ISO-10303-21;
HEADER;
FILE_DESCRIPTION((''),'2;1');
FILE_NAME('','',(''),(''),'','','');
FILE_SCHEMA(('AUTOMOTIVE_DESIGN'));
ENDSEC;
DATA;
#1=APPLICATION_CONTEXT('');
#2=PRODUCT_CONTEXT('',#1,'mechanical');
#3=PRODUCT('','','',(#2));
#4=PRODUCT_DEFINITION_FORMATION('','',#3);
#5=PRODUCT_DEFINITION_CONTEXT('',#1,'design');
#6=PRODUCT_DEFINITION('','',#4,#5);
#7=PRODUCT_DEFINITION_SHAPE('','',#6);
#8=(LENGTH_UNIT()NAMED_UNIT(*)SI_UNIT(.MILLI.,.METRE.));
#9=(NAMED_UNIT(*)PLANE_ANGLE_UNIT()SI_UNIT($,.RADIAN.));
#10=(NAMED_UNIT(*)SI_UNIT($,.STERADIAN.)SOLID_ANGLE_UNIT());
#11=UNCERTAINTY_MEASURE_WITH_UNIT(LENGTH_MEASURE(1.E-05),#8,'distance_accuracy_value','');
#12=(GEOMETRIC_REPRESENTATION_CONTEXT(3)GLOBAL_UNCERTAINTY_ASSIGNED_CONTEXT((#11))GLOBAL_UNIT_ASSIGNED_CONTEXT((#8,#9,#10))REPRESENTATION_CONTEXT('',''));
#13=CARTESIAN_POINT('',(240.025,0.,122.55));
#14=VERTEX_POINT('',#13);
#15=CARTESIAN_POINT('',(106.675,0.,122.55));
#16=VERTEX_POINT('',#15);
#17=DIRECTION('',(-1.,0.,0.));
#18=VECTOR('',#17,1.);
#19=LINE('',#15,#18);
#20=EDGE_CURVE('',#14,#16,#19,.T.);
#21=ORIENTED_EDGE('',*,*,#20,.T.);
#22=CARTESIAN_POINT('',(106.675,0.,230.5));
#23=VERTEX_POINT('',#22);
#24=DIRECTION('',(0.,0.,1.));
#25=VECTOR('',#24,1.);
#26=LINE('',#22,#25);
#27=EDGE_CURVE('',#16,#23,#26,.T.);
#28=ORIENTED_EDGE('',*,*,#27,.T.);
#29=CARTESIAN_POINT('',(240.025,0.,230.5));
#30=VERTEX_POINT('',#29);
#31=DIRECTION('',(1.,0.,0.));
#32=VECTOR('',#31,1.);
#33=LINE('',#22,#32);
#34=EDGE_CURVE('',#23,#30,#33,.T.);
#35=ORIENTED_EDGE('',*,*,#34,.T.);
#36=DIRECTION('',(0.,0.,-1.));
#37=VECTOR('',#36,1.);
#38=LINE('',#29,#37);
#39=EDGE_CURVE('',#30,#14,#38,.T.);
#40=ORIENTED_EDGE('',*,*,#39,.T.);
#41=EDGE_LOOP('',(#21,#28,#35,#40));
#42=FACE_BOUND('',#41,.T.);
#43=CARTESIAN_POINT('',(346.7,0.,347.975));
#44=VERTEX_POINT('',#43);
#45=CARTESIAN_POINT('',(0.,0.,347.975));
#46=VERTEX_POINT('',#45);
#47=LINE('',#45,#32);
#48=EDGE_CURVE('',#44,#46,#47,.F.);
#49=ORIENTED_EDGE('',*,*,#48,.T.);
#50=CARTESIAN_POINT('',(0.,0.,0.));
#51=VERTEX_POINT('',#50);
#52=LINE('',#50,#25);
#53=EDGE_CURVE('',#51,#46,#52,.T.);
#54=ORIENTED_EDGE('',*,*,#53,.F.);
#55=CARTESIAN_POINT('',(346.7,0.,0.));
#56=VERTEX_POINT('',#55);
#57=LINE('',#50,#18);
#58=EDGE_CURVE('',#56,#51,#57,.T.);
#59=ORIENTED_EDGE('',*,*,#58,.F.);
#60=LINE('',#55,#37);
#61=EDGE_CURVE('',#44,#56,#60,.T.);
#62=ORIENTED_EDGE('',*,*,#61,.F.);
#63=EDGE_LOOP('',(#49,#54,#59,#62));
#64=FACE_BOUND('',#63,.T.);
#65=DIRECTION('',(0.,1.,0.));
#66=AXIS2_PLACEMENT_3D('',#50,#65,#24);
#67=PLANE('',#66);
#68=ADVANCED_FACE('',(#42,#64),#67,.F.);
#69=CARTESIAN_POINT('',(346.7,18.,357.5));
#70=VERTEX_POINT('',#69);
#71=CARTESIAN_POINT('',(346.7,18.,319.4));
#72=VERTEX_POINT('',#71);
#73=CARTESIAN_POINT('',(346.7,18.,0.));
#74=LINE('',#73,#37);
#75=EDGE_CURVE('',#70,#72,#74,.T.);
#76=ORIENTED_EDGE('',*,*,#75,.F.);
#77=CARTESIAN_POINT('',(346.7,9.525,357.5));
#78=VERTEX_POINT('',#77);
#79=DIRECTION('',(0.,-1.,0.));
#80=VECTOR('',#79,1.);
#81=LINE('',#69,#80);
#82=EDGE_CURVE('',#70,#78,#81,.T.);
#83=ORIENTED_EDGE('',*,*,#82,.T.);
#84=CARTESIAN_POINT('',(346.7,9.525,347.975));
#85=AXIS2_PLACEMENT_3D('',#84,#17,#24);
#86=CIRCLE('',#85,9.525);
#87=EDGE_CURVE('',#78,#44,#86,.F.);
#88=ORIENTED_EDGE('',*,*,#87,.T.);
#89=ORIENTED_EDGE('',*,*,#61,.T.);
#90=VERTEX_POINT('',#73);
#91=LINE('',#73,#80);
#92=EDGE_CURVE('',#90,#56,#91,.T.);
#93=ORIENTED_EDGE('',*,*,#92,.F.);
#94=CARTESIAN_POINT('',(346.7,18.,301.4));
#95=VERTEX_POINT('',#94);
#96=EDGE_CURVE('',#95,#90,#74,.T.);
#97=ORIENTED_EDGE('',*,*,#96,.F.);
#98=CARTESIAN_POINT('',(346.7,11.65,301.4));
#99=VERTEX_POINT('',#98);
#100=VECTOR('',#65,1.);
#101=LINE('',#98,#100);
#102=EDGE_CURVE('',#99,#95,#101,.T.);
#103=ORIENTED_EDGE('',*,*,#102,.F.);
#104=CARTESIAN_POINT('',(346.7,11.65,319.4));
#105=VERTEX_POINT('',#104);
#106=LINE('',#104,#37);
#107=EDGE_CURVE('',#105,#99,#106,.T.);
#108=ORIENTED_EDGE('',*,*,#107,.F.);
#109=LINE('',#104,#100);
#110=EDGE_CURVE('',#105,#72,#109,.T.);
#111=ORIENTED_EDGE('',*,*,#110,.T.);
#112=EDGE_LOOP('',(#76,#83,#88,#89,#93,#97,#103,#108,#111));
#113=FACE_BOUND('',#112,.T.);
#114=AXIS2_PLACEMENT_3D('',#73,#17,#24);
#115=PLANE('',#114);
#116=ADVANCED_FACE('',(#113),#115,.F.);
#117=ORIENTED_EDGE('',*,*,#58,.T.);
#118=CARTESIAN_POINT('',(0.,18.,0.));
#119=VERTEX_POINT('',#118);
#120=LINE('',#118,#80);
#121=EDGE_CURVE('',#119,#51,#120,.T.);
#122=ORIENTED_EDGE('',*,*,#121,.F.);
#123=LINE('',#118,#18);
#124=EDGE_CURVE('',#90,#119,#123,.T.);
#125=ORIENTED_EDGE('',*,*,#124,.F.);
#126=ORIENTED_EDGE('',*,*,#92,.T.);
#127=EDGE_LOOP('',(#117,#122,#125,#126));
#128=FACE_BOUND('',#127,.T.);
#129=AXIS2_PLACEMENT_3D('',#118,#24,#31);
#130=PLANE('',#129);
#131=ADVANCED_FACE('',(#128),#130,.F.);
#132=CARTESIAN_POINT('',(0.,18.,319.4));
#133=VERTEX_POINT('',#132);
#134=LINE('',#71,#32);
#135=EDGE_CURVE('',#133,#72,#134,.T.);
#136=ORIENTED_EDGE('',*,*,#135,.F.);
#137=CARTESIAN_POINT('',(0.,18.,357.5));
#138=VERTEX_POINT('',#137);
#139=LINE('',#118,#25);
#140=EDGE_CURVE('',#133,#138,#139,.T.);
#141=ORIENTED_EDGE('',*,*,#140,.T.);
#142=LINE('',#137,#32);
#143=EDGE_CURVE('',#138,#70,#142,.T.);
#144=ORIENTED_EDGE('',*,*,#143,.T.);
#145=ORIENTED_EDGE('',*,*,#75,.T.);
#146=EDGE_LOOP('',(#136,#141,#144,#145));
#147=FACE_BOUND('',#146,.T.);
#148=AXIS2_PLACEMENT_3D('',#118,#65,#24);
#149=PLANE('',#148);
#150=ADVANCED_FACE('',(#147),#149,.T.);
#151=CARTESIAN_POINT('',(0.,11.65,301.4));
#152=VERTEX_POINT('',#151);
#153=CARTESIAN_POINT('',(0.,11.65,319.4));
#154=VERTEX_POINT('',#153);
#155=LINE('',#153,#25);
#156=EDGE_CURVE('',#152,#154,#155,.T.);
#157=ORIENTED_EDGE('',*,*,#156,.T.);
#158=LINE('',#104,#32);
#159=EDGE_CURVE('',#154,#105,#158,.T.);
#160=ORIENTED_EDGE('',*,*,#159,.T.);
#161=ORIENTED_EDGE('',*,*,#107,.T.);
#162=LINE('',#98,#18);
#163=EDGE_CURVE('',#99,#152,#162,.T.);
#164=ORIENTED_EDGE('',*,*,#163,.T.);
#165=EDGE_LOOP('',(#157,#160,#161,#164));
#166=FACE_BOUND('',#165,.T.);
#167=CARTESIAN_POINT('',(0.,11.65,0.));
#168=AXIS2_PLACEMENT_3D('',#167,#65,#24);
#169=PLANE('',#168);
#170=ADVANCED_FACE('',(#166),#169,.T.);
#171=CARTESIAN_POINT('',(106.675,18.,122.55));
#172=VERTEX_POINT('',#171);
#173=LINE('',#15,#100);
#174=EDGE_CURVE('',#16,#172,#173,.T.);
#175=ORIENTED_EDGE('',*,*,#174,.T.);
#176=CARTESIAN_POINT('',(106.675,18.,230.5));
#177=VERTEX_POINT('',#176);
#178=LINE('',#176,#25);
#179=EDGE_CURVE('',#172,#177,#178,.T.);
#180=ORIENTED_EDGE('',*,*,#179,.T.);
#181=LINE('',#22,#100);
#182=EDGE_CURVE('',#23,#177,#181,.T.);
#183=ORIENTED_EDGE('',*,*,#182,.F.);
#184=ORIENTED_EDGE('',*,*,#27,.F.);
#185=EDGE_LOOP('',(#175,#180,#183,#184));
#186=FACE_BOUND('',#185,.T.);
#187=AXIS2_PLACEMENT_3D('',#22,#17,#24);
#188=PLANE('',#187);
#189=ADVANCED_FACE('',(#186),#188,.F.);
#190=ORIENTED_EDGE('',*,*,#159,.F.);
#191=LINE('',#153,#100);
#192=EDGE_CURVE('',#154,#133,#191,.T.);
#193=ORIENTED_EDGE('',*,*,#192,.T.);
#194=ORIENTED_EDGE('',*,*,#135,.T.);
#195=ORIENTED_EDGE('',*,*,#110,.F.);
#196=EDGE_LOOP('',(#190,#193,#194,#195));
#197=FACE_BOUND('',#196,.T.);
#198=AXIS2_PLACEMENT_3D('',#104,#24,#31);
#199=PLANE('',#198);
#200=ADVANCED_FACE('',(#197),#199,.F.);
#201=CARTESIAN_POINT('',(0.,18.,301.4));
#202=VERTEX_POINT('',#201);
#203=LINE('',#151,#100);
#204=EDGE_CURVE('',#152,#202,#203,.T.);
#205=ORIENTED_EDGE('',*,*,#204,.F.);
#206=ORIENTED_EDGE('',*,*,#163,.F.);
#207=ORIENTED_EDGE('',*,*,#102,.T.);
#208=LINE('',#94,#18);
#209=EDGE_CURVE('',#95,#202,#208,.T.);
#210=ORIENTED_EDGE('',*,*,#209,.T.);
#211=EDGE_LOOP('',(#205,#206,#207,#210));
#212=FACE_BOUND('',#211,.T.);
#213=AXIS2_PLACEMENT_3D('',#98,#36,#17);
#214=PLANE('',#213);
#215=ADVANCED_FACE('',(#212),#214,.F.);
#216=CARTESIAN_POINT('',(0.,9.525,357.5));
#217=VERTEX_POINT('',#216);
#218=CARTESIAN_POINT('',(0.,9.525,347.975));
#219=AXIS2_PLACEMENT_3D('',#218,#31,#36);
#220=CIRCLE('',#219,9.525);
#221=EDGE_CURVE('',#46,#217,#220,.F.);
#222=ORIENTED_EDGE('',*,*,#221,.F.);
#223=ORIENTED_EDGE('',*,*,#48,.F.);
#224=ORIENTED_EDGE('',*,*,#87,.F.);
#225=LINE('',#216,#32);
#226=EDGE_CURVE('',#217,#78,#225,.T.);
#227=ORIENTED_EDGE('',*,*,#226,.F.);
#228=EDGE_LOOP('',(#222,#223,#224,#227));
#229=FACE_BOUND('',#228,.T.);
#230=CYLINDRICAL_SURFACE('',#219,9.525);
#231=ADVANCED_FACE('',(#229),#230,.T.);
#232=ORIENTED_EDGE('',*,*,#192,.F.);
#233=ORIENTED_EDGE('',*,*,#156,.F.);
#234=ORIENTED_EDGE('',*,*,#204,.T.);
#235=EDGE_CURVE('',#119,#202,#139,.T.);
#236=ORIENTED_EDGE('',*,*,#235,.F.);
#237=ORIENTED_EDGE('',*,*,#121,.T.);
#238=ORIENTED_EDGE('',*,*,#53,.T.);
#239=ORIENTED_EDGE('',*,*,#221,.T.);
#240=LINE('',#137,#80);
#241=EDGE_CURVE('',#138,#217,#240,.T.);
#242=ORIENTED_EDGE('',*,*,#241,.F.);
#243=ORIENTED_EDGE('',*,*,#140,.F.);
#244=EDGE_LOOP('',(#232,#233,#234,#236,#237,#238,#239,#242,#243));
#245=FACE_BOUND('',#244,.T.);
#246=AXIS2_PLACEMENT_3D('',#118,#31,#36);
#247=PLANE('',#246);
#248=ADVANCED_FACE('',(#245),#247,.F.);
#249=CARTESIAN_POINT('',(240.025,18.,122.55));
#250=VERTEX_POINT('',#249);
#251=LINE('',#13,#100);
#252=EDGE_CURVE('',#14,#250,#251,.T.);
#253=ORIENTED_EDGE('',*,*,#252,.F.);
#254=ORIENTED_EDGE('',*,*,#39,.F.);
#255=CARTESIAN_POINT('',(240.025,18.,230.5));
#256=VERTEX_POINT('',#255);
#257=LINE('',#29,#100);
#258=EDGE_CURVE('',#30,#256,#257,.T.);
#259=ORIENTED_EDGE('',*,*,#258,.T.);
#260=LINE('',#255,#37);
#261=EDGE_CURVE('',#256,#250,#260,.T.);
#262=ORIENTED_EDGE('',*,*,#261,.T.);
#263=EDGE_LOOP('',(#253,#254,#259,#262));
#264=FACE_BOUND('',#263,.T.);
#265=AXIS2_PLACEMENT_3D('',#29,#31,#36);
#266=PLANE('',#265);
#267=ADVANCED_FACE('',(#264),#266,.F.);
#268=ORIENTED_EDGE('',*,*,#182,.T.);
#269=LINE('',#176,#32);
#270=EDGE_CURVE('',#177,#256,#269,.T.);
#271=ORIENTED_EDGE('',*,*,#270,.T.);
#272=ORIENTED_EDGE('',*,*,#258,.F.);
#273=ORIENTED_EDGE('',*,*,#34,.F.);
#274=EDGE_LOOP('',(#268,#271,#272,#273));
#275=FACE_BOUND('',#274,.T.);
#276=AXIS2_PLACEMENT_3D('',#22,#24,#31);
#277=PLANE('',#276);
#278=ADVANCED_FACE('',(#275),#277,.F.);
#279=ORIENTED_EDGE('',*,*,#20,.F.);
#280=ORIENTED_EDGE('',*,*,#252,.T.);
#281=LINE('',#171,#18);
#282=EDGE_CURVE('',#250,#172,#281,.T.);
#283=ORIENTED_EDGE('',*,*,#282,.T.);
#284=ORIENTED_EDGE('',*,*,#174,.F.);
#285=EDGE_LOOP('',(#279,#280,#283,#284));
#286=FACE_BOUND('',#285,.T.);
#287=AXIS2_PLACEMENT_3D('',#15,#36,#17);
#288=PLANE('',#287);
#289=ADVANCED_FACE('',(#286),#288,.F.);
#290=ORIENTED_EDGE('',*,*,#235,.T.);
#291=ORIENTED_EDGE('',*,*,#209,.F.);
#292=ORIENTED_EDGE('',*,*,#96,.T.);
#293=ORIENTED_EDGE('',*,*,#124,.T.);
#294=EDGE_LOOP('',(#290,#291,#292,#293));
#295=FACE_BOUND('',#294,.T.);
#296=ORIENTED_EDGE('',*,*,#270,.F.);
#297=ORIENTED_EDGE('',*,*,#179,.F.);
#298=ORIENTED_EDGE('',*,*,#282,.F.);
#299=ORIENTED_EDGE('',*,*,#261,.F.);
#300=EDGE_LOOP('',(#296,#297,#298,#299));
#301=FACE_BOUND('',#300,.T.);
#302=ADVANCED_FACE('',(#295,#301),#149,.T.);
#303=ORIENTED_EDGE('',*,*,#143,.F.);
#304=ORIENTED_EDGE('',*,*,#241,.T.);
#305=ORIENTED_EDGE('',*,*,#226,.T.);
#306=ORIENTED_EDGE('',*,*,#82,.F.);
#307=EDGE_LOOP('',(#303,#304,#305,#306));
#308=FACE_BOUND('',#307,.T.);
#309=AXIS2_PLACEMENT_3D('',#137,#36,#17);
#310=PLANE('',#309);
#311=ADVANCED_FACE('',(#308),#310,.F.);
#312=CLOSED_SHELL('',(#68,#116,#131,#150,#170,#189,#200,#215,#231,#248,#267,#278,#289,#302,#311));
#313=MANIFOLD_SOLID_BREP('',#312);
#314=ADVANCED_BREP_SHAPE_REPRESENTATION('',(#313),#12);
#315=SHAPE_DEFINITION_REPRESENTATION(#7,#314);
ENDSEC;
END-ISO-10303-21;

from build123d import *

# Parameters (mm, degrees)
SKETCH1_W           = 346.7
SKETCH1_H           = 357.50000001
BOSS_EXTRUDE1_DEPTH = 18
SKETCH2_W           = 346.7
SKETCH2_H           = 18
CUT_EXTRUDE1_DEPTH  = 6.35
SKETCH3_W           = 133.35
SKETCH3_H           = 107.95
CUT_EXTRUDE3_DEPTH  = 19
FILLET1_R           = 9.525


with BuildPart() as part:
    # Sketch1 → Boss-Extrude1 (new body)
    with BuildSketch(Plane(origin=(0, 0, 0), x_dir=(1, 0, 0), z_dir=(0, 1, 0))):
        with Locations((173.35, -178.750000005)):
            Rectangle(SKETCH1_W, SKETCH1_H)
    extrude(amount=BOSS_EXTRUDE1_DEPTH)

    # Sketch2 → Cut-Extrude1 (cut)
    with BuildSketch(Plane(origin=(0, 18, 0), x_dir=(1, 0, 0), z_dir=(0, 1, 0))):
        with Locations((173.35, -310.40000001)):
            Rectangle(SKETCH2_W, SKETCH2_H)
    extrude(amount=-CUT_EXTRUDE1_DEPTH, mode=Mode.SUBTRACT)

    # Sketch3 → Cut-Extrude3 (cut, through all)
    with BuildSketch(Plane(origin=(0, 18, 0), x_dir=(1, 0, 0), z_dir=(0, 1, 0))):
        with Locations((173.35, -176.52500001)):
            Rectangle(SKETCH3_W, SKETCH3_H)
    extrude(amount=-CUT_EXTRUDE3_DEPTH, mode=Mode.SUBTRACT)

    # Fillet1
    fillet1_edges = [part.edges().sort_by_distance(p)[0] for p in [
        (173.35, 0, 357.50000001),
    ]]
    fillet(fillet1_edges, radius=FILLET1_R)


solid = part.part
